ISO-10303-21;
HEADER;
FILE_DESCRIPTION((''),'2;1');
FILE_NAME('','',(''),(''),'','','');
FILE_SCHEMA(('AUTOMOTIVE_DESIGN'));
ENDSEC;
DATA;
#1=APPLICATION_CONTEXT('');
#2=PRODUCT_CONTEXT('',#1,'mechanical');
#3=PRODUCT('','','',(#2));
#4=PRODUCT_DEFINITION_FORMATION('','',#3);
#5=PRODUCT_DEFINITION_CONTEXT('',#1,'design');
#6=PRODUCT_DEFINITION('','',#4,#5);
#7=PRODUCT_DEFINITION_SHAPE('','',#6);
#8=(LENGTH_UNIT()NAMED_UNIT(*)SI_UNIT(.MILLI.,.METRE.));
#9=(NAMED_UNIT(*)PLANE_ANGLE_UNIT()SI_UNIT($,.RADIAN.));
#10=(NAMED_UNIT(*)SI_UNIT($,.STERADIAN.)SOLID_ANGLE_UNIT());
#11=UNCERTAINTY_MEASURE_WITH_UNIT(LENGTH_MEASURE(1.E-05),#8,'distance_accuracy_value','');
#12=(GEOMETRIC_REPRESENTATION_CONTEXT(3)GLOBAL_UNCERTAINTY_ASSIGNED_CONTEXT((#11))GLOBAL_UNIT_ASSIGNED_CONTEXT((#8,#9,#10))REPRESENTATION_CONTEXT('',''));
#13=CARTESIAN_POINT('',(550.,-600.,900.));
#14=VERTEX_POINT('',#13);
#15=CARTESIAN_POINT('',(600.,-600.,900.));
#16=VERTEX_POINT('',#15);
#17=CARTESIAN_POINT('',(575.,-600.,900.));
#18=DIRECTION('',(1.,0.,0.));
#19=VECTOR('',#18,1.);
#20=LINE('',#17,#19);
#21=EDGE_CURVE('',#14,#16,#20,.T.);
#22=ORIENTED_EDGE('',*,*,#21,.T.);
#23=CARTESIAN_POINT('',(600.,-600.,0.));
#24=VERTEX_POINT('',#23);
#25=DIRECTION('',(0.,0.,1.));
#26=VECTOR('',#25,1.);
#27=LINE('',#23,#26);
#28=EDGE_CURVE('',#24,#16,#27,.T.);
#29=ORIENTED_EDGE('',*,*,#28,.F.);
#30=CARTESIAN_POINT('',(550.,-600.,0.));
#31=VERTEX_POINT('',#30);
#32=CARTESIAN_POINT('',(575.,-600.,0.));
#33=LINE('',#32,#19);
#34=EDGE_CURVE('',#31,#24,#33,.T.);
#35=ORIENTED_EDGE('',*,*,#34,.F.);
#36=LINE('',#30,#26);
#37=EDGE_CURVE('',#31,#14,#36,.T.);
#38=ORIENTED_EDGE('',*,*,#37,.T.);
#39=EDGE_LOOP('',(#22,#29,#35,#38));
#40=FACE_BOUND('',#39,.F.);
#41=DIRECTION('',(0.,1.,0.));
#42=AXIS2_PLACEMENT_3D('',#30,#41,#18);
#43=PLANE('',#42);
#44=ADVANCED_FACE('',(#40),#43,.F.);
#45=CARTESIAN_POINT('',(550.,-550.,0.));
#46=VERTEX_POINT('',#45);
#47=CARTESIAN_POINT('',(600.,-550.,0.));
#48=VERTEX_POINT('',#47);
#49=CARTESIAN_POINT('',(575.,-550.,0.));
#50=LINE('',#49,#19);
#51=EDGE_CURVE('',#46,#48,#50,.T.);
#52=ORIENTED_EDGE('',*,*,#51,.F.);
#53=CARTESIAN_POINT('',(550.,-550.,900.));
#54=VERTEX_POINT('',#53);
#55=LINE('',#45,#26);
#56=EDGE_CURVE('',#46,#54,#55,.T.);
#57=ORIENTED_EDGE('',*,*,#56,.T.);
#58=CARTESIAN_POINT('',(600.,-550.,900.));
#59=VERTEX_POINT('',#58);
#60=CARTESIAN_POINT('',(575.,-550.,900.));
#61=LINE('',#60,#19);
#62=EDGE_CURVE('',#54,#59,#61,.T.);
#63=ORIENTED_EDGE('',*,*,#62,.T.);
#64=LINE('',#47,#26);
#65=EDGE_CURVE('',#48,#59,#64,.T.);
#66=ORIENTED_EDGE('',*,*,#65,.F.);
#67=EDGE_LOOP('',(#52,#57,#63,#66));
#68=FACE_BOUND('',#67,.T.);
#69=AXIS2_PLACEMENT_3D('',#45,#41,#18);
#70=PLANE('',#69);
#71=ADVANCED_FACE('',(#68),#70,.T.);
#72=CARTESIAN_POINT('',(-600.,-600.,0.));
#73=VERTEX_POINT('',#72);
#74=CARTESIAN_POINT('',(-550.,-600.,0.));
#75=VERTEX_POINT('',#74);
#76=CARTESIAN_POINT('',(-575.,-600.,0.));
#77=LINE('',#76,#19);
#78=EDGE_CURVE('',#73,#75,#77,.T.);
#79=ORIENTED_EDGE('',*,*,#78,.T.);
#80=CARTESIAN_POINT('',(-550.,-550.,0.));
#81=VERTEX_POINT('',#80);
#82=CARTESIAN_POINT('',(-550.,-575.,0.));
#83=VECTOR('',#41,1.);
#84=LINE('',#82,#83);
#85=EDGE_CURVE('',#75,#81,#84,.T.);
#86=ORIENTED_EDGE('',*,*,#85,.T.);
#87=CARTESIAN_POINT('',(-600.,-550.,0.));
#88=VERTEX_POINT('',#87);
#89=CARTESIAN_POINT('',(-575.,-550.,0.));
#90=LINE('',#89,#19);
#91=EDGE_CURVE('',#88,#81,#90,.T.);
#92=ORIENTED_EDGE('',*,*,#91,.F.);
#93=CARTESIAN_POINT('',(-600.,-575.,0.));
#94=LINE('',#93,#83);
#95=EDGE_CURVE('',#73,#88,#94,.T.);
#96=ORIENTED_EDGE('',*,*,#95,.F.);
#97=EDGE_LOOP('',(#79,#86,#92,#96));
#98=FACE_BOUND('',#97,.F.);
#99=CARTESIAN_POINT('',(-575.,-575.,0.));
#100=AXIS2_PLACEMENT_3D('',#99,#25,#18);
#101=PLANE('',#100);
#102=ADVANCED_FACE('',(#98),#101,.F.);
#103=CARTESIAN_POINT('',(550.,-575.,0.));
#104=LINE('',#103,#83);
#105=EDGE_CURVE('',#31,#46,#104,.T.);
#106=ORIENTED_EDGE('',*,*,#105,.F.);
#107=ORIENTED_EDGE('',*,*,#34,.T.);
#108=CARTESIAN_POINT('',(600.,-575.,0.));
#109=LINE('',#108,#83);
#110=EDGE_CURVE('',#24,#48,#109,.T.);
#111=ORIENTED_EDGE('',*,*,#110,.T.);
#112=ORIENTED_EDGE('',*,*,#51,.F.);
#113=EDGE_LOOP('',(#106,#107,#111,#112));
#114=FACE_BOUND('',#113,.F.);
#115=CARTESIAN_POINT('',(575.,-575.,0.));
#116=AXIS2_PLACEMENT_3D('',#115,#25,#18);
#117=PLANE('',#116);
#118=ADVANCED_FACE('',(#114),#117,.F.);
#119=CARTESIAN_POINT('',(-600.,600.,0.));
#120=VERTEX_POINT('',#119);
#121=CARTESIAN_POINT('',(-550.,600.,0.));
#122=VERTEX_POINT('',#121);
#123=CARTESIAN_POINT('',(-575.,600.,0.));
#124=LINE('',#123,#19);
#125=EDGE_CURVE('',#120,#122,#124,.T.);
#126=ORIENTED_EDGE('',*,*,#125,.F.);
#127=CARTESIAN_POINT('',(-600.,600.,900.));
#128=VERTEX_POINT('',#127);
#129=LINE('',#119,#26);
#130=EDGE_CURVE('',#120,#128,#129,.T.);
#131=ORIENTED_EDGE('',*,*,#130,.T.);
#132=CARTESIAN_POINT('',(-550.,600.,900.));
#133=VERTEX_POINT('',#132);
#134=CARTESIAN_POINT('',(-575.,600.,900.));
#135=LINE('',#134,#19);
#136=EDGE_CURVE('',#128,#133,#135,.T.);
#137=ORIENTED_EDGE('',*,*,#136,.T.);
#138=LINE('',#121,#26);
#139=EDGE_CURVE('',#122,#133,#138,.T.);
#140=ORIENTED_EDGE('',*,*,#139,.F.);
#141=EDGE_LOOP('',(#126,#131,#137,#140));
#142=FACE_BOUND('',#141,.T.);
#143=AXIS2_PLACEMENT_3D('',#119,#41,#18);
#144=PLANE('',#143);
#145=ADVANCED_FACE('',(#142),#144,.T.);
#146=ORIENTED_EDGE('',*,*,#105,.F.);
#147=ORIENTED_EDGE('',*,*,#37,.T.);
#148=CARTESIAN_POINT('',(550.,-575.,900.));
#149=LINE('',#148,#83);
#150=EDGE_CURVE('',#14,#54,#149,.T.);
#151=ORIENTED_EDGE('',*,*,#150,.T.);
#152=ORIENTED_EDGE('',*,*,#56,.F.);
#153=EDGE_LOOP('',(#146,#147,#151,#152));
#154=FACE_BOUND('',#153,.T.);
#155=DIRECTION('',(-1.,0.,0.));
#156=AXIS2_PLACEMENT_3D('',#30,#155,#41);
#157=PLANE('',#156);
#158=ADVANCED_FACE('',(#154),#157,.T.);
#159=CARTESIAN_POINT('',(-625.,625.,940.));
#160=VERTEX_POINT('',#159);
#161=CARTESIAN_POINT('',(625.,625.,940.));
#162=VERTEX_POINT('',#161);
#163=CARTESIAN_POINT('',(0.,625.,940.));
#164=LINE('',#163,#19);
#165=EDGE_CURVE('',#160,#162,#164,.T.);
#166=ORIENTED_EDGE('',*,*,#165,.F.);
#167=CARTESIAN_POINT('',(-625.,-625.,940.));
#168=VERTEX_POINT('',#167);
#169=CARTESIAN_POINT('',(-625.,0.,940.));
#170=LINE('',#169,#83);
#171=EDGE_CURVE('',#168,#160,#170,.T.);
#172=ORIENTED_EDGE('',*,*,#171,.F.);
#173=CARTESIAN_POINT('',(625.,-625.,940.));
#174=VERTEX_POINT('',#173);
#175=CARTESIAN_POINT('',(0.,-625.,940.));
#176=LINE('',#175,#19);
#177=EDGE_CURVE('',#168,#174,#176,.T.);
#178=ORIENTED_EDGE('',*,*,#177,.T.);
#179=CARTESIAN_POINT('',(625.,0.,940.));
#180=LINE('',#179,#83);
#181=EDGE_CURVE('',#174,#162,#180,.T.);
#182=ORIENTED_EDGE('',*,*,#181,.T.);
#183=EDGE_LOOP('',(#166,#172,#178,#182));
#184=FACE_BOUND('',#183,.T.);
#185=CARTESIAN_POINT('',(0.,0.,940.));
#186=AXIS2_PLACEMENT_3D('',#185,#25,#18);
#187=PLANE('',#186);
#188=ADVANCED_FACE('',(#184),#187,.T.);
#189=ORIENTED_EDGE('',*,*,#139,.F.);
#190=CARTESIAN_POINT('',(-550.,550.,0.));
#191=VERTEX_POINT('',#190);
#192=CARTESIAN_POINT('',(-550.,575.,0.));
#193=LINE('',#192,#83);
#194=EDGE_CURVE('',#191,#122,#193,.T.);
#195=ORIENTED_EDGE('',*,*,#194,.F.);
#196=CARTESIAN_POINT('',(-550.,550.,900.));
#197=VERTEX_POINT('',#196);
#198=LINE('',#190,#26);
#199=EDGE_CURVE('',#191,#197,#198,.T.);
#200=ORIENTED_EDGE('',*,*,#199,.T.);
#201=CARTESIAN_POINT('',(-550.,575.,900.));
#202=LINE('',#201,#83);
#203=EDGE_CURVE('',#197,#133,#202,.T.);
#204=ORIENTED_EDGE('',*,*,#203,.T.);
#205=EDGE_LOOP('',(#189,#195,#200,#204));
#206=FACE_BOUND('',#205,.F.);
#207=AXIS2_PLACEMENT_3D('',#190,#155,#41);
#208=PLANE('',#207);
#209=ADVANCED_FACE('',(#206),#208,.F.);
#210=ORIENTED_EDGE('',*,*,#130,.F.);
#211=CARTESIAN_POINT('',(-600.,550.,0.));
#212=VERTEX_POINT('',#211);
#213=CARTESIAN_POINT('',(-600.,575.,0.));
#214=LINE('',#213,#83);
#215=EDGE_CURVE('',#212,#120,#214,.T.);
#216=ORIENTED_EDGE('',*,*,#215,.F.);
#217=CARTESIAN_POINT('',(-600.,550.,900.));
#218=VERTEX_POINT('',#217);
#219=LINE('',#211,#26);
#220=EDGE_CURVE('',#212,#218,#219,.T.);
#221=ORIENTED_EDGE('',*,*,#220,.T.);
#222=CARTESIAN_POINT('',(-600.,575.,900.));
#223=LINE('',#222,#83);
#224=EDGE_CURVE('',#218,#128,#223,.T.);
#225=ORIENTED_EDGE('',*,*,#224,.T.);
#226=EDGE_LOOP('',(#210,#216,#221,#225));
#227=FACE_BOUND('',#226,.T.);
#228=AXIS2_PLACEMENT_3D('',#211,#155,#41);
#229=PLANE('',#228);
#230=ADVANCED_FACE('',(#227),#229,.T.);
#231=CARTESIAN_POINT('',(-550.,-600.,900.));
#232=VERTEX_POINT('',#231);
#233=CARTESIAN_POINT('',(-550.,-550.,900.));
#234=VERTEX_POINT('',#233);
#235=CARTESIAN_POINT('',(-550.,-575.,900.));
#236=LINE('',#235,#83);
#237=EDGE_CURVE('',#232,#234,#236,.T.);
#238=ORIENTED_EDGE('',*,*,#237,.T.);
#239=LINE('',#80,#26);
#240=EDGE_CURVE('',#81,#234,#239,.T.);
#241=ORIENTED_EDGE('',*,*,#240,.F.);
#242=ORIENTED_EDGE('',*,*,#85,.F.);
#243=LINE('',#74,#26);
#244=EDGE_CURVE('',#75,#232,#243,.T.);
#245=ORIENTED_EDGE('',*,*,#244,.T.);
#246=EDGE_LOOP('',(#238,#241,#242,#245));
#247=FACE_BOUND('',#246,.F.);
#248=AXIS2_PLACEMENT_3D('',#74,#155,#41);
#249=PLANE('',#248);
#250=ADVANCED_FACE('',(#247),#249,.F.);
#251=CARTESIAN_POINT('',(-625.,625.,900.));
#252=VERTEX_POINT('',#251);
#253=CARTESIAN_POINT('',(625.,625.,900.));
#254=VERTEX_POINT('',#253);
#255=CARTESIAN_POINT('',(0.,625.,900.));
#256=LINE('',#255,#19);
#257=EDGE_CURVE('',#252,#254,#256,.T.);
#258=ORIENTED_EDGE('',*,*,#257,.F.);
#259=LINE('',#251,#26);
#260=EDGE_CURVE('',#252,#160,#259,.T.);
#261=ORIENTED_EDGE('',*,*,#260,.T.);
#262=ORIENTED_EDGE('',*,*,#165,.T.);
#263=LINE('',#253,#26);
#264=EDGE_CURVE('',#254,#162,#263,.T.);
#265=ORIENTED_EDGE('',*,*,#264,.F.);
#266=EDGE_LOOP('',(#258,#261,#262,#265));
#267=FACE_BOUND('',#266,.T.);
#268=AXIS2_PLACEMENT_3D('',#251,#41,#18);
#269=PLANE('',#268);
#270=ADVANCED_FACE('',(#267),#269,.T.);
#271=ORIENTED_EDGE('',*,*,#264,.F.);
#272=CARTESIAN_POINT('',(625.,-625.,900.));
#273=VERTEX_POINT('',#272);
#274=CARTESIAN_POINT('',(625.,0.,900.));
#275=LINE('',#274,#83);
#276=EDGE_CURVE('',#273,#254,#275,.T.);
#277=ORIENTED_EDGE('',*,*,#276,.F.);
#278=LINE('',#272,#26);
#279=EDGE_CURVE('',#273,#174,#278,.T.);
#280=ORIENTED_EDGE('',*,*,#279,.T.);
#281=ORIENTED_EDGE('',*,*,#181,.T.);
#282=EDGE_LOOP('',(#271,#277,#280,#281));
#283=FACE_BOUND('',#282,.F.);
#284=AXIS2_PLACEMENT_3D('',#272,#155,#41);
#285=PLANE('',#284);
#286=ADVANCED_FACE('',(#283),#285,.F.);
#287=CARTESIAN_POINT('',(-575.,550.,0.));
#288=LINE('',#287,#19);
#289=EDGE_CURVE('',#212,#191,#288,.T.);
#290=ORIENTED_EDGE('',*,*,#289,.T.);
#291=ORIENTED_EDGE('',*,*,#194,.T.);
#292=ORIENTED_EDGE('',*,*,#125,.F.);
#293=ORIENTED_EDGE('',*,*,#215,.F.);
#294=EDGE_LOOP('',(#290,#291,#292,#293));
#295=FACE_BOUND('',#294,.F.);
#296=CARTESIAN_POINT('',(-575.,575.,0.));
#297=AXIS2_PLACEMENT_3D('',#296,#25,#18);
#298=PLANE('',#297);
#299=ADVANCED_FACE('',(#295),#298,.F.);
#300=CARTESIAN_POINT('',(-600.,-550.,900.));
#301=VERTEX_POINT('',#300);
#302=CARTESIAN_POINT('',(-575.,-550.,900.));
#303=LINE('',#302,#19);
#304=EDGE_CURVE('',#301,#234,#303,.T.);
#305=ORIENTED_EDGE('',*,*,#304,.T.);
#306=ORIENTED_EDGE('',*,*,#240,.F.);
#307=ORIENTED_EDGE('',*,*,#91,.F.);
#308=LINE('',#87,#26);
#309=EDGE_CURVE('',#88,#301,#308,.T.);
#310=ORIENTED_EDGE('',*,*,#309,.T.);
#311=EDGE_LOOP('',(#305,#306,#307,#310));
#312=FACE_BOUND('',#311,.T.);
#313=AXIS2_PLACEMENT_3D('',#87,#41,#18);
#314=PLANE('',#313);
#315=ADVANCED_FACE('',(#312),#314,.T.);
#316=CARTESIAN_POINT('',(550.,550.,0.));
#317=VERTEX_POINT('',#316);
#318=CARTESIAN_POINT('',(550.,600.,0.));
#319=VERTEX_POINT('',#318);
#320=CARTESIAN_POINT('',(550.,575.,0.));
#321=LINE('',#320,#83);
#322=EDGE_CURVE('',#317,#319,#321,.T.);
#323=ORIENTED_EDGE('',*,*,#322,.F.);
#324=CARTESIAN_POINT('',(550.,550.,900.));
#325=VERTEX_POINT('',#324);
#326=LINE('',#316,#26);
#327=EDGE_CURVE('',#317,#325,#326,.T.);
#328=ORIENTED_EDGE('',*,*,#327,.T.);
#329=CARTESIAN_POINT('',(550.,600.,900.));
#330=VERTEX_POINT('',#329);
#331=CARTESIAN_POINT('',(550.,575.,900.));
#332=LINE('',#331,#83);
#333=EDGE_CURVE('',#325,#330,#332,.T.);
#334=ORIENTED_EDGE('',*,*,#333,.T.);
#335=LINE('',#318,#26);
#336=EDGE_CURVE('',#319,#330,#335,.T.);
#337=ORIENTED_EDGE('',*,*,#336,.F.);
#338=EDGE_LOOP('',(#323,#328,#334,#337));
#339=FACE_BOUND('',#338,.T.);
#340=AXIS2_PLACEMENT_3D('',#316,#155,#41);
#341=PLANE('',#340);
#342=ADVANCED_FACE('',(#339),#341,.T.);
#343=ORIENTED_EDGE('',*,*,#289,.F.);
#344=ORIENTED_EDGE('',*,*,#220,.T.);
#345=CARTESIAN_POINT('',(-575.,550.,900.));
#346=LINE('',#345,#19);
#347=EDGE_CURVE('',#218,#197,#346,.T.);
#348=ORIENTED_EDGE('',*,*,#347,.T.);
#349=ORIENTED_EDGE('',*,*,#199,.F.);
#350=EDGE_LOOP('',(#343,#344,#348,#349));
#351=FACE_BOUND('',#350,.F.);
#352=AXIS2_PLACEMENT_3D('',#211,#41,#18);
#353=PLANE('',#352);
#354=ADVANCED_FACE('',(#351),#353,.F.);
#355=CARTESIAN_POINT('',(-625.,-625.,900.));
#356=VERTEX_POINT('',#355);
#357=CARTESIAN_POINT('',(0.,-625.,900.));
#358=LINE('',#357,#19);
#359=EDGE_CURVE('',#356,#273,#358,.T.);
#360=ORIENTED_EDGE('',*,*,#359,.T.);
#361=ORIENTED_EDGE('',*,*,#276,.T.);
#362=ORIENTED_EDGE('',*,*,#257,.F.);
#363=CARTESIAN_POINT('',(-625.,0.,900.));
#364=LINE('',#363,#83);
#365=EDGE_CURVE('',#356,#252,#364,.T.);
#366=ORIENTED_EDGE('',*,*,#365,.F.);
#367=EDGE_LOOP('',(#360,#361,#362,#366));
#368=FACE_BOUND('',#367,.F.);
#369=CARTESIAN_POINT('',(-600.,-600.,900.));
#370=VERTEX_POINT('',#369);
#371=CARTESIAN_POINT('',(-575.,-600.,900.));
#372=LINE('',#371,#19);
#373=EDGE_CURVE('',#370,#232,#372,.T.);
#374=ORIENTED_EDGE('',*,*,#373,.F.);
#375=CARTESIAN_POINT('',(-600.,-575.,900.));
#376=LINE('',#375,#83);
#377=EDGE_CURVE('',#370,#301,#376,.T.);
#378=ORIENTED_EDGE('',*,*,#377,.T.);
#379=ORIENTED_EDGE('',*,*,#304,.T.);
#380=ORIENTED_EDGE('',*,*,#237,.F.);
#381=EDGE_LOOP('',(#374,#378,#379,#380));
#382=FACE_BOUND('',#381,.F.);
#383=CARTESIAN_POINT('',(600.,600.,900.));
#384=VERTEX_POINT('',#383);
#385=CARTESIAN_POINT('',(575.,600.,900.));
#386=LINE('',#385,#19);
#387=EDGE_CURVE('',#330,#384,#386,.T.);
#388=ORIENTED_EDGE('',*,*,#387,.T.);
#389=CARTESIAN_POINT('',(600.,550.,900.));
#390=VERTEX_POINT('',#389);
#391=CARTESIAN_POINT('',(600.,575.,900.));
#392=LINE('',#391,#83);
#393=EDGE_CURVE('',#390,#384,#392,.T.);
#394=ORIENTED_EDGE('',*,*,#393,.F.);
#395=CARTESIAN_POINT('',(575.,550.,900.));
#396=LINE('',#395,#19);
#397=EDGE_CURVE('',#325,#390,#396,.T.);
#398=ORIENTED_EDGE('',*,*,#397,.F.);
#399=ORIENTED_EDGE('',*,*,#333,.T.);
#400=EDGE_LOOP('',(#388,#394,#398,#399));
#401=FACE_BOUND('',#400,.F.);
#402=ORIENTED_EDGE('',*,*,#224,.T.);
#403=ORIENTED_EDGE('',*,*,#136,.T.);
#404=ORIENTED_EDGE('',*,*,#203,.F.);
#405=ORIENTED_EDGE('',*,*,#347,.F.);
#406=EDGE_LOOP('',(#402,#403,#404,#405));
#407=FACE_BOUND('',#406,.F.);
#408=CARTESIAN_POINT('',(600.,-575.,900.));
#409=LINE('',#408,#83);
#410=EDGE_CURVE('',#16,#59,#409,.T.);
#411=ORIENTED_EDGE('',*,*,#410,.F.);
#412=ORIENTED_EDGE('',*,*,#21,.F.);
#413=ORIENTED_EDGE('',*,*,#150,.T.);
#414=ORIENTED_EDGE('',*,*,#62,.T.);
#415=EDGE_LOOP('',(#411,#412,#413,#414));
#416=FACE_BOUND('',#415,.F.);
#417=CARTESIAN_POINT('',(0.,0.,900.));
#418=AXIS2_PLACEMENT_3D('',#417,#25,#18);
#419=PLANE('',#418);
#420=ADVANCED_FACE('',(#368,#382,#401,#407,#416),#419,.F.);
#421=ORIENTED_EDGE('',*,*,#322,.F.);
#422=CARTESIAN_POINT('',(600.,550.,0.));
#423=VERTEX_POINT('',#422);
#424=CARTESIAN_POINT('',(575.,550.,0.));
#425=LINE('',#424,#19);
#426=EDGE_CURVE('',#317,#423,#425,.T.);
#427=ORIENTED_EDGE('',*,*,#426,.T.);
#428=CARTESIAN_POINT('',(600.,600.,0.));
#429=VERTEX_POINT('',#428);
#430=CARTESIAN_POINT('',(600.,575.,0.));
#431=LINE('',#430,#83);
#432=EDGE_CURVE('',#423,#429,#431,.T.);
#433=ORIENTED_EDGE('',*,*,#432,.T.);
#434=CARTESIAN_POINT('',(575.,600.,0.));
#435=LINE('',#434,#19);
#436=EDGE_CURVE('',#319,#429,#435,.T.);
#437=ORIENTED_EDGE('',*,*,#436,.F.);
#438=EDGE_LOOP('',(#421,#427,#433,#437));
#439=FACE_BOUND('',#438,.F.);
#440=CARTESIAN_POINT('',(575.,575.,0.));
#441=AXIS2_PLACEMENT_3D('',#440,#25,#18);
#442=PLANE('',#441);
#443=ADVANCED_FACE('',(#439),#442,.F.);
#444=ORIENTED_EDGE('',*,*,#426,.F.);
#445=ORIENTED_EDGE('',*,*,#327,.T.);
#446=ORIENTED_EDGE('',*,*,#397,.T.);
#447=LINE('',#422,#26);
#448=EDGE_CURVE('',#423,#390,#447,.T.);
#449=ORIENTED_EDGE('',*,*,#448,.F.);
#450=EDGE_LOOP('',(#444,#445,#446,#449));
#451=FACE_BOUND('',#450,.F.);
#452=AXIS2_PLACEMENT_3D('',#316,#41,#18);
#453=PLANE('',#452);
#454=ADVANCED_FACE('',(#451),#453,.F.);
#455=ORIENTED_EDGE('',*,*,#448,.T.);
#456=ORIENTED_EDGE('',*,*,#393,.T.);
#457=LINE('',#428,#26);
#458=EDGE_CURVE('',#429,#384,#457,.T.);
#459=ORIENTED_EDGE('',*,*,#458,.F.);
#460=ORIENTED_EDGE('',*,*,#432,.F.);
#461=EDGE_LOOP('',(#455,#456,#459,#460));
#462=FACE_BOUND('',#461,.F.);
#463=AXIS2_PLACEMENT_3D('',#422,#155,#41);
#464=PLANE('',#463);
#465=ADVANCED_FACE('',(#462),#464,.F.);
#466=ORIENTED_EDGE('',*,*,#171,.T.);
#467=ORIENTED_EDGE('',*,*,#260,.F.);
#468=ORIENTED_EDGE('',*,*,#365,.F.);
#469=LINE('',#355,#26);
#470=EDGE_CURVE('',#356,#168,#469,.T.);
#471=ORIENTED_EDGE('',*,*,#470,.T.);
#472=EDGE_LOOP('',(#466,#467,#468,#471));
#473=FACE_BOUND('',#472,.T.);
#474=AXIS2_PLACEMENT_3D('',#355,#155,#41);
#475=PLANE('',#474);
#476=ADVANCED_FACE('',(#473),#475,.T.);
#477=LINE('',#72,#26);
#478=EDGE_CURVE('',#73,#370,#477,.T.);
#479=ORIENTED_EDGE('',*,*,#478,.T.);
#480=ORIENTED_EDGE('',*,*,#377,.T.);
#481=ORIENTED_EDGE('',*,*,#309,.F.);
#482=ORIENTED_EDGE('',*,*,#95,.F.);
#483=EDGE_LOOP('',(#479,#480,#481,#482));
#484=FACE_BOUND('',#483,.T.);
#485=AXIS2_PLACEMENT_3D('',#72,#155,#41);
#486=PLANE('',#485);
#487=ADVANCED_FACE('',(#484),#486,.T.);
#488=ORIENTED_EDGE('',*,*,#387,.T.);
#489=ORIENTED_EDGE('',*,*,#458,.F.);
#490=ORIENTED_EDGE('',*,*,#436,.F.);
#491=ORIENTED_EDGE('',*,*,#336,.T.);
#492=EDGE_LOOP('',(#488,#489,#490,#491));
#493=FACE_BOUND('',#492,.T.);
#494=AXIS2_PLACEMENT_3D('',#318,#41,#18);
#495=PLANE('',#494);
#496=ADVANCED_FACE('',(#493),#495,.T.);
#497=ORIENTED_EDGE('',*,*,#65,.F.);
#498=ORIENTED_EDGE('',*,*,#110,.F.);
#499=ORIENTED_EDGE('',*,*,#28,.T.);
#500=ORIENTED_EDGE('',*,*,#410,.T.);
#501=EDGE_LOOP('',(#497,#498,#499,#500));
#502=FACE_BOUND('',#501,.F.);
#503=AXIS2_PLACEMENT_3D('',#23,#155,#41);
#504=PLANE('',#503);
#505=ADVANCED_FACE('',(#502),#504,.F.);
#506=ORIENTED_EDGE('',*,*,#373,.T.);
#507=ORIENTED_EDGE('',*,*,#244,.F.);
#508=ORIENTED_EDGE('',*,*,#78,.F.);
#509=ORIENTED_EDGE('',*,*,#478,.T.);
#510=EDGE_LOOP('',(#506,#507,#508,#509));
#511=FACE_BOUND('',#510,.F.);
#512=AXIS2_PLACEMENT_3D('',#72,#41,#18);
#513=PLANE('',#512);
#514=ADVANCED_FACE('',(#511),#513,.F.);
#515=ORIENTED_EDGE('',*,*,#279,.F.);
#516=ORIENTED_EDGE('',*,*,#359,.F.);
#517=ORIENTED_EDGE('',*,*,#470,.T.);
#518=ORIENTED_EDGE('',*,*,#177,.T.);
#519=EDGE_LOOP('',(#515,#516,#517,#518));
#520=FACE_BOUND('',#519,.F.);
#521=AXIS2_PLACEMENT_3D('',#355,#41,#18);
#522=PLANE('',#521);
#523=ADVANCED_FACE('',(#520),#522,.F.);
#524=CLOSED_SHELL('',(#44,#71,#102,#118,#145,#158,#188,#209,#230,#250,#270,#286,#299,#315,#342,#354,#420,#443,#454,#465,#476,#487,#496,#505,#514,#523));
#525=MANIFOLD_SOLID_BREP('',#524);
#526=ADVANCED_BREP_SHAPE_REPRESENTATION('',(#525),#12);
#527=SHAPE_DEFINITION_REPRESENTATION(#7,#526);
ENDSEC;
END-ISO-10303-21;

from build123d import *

# Parameters (mm, degrees)
F0_W     = 50
F0_H     = 50
F1_DEPTH = 900
F2_W     = 1250
F2_H     = 1250
F3_DEPTH = 40


with BuildPart() as f1:
    # F0 (on Top) → F1 (new body)
    with BuildSketch(Plane.XY):
        with Locations((-575, 575)):
            Rectangle(F0_W, F0_H)
        with Locations((575, 575)):
            Rectangle(F0_W, F0_H)
        with Locations((575, -575)):
            Rectangle(F0_W, F0_H)
        with Locations((-575, -575)):
            Rectangle(F0_W, F0_H)
    extrude(amount=F1_DEPTH)

    # F2 (on face) → F3 (join)
    with BuildSketch(Plane.XY.offset(900)):
        Rectangle(F2_W, F2_H)
    extrude(amount=F3_DEPTH)


solid = f1.part
